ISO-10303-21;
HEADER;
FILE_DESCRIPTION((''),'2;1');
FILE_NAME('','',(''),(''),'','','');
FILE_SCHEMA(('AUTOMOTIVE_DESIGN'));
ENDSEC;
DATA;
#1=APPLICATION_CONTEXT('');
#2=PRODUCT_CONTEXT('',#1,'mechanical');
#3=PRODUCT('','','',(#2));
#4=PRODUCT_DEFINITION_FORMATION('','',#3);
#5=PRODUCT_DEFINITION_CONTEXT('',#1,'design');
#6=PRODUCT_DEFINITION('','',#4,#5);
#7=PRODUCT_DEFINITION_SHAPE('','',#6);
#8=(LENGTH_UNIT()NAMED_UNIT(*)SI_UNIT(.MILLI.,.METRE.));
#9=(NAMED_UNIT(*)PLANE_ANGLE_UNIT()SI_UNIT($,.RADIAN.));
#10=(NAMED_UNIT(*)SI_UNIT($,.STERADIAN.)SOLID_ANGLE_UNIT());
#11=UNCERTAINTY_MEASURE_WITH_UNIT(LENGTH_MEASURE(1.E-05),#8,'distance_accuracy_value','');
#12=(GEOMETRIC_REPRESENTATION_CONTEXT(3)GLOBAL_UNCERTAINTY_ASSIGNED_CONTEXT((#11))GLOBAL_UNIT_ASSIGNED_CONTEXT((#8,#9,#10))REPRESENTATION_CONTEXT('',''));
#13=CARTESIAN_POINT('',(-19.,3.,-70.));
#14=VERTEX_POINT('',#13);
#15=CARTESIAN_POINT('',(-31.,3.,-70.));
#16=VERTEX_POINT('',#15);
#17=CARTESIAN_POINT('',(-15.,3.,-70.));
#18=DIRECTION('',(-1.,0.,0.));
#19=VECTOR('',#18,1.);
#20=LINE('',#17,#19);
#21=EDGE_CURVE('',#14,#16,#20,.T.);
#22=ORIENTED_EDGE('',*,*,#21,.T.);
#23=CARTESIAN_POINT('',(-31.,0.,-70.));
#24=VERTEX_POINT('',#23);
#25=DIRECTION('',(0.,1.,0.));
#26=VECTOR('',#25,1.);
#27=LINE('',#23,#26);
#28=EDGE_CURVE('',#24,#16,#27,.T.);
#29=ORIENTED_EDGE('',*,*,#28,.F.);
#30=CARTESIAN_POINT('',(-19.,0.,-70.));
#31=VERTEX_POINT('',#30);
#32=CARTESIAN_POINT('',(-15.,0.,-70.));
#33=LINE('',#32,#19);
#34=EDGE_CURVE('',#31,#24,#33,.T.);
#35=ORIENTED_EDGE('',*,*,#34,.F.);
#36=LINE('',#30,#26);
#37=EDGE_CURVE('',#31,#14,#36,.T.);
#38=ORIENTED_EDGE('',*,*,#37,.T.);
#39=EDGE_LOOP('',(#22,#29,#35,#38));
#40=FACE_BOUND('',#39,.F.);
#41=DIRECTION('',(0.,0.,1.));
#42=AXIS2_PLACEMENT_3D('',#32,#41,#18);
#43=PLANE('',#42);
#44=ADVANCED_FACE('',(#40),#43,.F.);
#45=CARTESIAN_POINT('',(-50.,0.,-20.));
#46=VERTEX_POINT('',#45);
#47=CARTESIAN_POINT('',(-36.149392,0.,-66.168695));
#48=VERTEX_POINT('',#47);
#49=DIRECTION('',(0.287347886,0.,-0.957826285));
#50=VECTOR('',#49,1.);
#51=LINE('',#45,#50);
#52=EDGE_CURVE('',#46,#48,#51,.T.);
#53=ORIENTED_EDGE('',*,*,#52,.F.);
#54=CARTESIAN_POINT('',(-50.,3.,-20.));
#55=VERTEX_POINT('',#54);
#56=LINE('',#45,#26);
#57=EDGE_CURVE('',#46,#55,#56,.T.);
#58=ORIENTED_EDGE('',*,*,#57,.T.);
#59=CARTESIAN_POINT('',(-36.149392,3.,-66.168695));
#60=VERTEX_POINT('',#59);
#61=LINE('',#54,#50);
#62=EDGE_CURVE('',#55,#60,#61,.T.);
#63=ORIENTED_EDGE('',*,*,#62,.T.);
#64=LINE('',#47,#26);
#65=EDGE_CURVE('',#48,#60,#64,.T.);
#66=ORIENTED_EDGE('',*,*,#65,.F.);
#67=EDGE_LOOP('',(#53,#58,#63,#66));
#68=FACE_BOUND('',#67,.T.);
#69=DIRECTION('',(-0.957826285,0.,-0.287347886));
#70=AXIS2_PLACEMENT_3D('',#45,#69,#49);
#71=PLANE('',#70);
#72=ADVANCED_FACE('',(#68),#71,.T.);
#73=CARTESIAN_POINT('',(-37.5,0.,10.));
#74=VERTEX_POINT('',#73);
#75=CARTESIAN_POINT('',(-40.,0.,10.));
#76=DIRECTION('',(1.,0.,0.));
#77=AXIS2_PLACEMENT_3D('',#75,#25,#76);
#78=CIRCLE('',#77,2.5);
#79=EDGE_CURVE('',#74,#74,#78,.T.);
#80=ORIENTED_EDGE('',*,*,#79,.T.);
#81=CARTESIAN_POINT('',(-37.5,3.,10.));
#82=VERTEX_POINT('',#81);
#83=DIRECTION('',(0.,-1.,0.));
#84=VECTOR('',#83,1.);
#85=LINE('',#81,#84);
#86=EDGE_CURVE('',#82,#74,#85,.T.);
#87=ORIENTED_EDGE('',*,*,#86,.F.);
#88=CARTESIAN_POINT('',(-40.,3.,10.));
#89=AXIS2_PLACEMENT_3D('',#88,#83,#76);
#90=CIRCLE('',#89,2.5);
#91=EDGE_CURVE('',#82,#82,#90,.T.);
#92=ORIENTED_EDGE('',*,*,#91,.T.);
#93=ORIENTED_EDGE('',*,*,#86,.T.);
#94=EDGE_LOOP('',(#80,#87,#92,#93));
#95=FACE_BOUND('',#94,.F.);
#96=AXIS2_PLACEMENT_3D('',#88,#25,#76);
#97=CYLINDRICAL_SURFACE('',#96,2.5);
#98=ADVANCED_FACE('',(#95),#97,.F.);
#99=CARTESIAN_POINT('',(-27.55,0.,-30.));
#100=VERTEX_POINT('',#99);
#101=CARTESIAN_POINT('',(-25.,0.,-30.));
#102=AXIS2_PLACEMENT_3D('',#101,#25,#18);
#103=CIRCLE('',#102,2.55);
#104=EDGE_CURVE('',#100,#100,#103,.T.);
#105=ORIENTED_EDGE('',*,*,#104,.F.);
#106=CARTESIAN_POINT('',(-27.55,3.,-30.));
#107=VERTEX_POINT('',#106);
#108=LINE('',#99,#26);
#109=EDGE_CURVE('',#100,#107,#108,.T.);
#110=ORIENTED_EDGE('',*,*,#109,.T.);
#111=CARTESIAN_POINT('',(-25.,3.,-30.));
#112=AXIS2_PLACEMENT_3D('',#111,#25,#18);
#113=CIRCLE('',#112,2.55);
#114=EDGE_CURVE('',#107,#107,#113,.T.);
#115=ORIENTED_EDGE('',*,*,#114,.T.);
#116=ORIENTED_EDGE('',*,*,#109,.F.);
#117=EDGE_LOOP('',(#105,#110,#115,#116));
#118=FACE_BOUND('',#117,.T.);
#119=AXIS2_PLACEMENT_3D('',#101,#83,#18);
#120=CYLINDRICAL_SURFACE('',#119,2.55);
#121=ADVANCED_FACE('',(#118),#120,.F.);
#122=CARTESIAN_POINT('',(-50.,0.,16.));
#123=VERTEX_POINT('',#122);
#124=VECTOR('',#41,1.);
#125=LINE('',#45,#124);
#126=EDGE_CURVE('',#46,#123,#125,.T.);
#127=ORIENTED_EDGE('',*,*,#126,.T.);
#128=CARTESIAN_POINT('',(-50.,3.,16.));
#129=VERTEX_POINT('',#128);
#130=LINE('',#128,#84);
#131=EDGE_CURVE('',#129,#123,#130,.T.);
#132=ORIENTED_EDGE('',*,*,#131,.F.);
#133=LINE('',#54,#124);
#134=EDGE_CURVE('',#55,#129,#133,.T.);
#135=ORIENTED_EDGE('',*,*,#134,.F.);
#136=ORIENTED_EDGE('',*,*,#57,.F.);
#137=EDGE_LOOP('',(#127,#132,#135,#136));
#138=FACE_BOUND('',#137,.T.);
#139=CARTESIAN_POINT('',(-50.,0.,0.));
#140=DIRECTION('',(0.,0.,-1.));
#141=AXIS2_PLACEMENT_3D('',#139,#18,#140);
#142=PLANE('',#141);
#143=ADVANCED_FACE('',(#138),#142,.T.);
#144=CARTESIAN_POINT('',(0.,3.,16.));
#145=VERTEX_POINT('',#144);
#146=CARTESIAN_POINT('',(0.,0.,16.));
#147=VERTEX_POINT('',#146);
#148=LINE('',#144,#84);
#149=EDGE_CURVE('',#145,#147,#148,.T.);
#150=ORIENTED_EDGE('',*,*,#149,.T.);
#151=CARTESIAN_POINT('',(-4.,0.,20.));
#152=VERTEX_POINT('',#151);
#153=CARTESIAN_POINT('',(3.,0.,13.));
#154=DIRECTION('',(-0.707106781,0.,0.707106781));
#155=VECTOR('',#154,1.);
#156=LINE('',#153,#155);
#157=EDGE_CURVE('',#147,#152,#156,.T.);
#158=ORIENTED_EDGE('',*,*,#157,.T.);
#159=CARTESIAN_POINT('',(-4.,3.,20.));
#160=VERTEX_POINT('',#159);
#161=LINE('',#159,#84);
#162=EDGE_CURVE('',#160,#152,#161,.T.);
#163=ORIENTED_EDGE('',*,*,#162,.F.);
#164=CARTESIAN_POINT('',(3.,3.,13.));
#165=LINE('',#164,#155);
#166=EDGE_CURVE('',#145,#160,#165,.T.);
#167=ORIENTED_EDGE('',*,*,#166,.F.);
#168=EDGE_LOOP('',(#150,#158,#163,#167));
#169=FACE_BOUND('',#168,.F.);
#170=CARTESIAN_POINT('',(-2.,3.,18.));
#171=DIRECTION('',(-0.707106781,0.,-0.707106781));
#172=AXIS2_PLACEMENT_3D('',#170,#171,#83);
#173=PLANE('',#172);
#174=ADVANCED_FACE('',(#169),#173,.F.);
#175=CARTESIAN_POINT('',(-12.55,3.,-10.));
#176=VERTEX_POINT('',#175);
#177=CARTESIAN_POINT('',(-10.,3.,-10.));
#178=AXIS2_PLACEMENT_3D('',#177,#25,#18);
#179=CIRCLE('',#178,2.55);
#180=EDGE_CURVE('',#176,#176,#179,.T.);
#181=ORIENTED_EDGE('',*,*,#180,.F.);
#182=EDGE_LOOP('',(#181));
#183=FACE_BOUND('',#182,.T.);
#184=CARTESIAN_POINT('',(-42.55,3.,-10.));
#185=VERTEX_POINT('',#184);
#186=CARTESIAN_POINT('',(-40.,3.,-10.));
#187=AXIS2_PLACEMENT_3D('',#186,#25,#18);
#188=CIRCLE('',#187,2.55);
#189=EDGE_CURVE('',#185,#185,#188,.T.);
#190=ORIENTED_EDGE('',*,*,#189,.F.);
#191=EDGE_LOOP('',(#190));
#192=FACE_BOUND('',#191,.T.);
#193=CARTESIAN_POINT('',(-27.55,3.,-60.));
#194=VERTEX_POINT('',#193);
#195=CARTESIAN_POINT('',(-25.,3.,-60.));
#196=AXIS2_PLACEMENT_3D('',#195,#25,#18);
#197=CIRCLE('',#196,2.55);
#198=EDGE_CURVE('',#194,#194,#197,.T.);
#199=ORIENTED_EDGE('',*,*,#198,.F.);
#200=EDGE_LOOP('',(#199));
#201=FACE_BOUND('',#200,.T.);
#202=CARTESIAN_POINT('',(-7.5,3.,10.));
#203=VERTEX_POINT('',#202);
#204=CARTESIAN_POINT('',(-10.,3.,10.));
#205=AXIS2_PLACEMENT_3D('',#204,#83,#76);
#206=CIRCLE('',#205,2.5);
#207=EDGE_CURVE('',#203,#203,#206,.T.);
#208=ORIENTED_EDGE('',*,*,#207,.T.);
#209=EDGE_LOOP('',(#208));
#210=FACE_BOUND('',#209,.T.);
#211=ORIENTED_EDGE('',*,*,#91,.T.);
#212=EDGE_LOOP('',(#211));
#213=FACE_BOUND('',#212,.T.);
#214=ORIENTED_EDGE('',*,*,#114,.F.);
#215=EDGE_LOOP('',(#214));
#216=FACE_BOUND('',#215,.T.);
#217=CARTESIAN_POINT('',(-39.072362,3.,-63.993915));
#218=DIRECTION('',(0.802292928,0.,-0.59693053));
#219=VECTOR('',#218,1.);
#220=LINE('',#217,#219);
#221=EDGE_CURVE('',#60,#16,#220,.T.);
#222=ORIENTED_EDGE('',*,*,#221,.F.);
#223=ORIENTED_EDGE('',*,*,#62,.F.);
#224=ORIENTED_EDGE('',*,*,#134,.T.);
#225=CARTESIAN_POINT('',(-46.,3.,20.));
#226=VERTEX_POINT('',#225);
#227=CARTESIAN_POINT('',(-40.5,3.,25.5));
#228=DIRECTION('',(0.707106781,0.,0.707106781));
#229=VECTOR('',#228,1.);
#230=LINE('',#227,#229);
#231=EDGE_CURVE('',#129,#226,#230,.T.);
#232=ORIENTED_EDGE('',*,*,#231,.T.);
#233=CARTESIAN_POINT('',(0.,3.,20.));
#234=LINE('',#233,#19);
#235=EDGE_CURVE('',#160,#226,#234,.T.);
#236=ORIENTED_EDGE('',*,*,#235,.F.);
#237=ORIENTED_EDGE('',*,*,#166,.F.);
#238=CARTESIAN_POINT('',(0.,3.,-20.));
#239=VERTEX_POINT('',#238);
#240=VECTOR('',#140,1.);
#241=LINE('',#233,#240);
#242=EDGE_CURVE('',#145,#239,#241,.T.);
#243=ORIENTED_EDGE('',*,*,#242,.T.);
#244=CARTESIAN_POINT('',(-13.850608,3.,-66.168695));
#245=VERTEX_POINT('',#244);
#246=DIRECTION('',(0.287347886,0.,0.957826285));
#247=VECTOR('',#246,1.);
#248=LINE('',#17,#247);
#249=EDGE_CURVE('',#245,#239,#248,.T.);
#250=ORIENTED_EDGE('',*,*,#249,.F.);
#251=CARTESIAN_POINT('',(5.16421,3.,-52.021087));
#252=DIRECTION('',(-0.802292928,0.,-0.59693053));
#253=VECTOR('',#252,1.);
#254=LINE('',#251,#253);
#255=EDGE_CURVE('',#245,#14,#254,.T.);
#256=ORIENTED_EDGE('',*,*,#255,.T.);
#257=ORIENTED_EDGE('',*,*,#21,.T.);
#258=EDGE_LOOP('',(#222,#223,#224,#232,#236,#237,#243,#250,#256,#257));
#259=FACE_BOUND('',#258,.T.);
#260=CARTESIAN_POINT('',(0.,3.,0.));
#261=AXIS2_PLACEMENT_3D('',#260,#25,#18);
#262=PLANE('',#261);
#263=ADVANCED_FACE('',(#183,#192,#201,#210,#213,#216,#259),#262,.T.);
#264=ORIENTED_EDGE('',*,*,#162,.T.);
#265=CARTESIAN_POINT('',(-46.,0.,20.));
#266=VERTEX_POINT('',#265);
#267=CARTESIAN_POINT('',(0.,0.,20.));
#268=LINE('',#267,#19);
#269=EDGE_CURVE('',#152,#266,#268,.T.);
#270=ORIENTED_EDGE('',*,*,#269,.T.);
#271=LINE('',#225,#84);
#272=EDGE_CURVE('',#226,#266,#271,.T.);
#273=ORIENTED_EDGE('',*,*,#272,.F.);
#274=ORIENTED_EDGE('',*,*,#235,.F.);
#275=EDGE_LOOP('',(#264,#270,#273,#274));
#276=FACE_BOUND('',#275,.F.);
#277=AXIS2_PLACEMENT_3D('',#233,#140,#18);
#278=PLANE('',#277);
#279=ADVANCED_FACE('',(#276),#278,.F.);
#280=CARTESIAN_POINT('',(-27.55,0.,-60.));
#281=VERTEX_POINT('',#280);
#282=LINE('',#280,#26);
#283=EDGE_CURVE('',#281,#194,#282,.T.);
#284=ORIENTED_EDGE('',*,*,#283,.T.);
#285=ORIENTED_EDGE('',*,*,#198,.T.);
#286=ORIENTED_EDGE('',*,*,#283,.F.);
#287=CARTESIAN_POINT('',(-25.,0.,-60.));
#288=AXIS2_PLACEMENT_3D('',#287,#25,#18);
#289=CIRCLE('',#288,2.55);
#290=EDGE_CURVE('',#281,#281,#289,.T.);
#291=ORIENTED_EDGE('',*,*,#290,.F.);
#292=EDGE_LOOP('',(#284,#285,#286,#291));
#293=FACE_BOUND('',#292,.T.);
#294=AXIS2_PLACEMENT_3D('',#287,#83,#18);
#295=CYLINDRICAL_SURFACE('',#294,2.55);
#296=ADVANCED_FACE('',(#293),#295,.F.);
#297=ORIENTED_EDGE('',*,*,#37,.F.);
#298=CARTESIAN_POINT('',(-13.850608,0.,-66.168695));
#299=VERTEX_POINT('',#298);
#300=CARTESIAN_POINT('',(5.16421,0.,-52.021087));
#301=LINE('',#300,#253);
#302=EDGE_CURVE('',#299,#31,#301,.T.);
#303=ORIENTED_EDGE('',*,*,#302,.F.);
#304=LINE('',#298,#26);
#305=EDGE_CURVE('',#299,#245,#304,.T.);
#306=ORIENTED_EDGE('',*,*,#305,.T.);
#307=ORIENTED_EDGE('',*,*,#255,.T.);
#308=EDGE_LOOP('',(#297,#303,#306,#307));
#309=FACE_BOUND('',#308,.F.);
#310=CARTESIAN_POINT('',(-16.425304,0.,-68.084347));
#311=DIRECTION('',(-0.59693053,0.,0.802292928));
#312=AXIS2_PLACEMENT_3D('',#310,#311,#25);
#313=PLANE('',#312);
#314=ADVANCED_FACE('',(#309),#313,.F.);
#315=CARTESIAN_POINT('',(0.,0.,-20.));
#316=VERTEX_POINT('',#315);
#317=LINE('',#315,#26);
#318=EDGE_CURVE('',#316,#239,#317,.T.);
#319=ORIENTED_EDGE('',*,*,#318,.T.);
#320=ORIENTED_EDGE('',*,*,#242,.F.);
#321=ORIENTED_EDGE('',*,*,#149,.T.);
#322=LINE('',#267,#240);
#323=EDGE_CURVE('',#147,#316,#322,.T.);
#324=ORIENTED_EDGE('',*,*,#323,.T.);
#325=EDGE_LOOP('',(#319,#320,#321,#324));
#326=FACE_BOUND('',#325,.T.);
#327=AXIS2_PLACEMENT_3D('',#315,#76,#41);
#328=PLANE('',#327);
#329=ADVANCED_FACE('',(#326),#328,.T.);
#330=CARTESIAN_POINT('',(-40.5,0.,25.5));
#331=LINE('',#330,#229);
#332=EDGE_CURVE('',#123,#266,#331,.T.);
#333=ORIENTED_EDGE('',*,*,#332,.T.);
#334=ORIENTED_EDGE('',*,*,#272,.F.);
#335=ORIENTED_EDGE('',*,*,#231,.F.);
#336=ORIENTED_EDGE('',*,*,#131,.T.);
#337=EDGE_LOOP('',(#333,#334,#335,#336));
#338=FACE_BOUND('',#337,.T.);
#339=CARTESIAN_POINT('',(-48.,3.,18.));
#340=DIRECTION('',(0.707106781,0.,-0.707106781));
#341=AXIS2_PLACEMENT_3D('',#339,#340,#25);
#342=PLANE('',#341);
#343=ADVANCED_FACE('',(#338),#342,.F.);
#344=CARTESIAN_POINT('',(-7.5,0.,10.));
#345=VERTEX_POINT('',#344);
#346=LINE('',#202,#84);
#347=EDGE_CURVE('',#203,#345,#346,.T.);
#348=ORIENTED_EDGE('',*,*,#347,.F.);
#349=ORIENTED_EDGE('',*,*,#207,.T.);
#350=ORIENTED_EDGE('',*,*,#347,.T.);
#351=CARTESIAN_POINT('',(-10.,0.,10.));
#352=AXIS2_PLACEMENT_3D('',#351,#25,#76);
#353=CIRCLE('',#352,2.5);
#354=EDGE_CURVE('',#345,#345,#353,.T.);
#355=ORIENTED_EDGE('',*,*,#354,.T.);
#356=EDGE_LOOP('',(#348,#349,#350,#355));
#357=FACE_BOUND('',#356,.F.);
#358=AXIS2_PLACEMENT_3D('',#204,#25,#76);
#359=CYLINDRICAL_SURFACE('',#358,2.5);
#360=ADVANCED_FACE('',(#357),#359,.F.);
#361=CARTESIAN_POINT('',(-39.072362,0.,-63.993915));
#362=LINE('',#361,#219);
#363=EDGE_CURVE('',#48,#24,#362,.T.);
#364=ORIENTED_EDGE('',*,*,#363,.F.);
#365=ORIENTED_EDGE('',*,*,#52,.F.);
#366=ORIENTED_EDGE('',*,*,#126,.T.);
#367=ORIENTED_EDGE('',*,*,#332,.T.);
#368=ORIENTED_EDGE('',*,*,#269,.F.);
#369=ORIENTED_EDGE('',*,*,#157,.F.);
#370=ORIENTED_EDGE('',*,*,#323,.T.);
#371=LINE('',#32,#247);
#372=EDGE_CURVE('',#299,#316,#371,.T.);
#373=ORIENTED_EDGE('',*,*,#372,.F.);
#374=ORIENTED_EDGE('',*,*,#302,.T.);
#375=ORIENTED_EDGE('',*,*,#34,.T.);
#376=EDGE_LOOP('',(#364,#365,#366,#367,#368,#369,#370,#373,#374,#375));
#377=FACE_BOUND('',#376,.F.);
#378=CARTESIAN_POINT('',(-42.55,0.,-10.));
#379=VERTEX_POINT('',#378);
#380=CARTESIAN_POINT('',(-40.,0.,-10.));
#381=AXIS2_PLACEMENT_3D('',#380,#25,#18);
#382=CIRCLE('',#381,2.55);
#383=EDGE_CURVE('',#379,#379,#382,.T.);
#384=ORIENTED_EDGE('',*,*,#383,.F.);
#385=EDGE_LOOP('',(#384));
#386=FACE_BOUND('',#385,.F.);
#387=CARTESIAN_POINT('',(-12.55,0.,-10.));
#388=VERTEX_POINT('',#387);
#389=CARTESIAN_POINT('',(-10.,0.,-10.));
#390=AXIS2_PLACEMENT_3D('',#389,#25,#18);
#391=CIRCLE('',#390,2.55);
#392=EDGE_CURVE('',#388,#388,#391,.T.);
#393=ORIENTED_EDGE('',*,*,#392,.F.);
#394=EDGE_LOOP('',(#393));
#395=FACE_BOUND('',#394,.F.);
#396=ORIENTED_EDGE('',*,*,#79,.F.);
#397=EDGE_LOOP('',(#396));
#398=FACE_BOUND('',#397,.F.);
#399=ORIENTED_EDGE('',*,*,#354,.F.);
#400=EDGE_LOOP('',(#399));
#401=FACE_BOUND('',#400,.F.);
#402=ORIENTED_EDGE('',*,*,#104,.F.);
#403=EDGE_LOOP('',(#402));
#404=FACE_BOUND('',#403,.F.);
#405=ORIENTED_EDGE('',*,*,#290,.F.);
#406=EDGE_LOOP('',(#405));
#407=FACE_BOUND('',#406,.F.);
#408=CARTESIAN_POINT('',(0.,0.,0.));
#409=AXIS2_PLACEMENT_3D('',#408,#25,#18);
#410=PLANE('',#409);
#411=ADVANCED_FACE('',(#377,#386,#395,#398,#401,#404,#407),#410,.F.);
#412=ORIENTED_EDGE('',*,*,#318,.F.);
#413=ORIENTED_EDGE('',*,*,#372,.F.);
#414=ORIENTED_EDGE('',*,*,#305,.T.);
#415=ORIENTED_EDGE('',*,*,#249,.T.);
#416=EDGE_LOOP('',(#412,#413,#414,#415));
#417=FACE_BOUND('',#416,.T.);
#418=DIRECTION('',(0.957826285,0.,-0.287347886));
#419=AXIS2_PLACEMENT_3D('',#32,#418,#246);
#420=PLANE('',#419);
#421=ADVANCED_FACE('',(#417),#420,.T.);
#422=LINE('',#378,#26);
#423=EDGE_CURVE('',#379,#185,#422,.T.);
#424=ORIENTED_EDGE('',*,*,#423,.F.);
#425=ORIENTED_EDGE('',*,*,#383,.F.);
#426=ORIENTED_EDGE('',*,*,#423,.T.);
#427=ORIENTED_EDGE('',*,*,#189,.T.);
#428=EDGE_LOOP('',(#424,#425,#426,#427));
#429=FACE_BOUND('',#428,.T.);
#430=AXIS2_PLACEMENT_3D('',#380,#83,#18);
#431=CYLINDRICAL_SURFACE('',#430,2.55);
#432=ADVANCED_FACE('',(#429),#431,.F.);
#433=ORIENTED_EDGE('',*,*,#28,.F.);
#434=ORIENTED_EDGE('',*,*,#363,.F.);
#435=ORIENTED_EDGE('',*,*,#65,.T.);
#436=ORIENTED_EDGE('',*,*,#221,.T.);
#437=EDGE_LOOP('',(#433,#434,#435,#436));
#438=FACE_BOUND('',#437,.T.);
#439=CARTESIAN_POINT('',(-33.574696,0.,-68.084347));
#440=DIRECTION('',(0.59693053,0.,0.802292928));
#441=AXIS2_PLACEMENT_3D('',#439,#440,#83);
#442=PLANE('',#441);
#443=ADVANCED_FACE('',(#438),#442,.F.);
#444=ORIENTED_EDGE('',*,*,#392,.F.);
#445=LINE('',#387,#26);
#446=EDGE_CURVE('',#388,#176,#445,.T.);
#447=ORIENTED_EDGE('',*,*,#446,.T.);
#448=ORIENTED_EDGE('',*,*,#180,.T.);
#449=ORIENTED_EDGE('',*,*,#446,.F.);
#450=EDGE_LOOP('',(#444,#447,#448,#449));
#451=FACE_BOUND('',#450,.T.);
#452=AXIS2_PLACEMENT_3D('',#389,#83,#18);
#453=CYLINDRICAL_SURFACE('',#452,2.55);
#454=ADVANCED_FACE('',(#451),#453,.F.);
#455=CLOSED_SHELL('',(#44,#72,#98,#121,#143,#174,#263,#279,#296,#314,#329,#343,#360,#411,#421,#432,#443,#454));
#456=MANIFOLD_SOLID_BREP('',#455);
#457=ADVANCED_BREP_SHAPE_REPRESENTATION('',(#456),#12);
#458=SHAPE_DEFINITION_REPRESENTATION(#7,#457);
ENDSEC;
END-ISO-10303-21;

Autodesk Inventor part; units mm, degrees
ref_plane "YZ Plane" through (0, 0, 0) normal (1, 0, 0) x (0, 1, 0)
ref_plane "XZ Plane" through (0, 0, 0) normal (0, 1, 0) x (-1, 0, 0)
ref_plane "XY Plane" through (0, 0, 0) normal (0, 0, 1) x (1, 0, 0)
sketch "草图1" plane through (0, 0, 0) normal (0, 1, 0) x (-1, 0, 0)
  line L0 (0, 0) -> (50, 0)
  line L1 (50, 0) -> (50, -20)
  line L2 (50, -20) -> (0, -20)
  line L3 (0, -20) -> (0, 0)
  line L4 (35, -20) -> (15, -20)
  line L5 (15, -20) -> (15, -70)
  line L6 (15, -70) -> (35, -70)
  line L7 (35, -70) -> (35, -20)
  line L8 (25, 0) -> (25, -7.1636)
  line L9 (50, -20) -> (35, -70)
  line L10 (15, -70) -> (0, -20)
  circle A0 centre (40, -10) radius 2.55
  circle A1 centre (10, -10) radius 2.55
  circle A2 centre (25, -30) radius 2.55
  circle A3 centre (25, -60) radius 2.55
  line L11 (50, -10) -> (45.4992, -10)
  dimension "d0" = 50
  dimension "d1" = 20
  dimension "d2" = 20
  dimension "d3" = 50
  dimension "d4" = 5.1
  dimension "d5" = 10
  dimension "d6" = 10
  dimension "d7" = 10
extrude "拉伸1" add sketch "草图1" along normal blind 3
chamfer "倒角1" distance 4 angle 45 2 edges at (0, 1.5, 0) (-50, 1.5, 0)
chamfer "倒角2" distance 4 angle 45 2 edges at (-15, 1.5, -70) (-35, 1.5, -70)
sketch "草图2" plane through (0, 3, 0) normal (0, 1, 0) x (1, 0, 0)
  line L0 (-50, 20) -> (-50, 4) projected
  line L1 (-50, 4) -> (0, 4)
  line L2 (0, 4) -> (0, -20)
  line L3 (0, -20) -> (-50, -20)
  line L4 (-50, -20) -> (-50, 4)
  line L5 (0, 4) -> (0, 20) projected
  line L6 (-46, 0) -> (-4, 0) projected
  circle A0 centre (-40, -10) radius 2.5
  circle A1 centre (-10, -10) radius 2.5
  circle A2 centre (-40, 10) radius 2.55 projected
  line L7 (-40, 10) -> (-10, 10)
  line L8 (-10, 10) -> (-10, -10)
  line L9 (-10, -10) -> (-40, -10)
  line L10 (-40, -10) -> (-40, 10)
  circle A3 centre (-10, 10) radius 2.55 projected
  point P0 (0, 0)
  point P1 (-40, 0)
  point P2 (-40, 4)
  point P3 (-10, 4)
  point P4 (-10, 0)
  dimension "d16" = 20
  dimension "d17" = 4
  dimension "d18" = 5
  dimension "d19" = 5
  dimension "d20" = 10
extrude "拉伸2" add sketch "草图2" against normal up to surface (3 mm away) contours L1 L10 A0 L9 A1 L8 L2 L3 L4 | L6 L8 A1 L9 A0 L10
chamfer "倒角3" distance 4 angle 45 2 edges at (-50, 1.5, 20) (0, 1.5, 20)
properties part number "body_fix2_camera"
